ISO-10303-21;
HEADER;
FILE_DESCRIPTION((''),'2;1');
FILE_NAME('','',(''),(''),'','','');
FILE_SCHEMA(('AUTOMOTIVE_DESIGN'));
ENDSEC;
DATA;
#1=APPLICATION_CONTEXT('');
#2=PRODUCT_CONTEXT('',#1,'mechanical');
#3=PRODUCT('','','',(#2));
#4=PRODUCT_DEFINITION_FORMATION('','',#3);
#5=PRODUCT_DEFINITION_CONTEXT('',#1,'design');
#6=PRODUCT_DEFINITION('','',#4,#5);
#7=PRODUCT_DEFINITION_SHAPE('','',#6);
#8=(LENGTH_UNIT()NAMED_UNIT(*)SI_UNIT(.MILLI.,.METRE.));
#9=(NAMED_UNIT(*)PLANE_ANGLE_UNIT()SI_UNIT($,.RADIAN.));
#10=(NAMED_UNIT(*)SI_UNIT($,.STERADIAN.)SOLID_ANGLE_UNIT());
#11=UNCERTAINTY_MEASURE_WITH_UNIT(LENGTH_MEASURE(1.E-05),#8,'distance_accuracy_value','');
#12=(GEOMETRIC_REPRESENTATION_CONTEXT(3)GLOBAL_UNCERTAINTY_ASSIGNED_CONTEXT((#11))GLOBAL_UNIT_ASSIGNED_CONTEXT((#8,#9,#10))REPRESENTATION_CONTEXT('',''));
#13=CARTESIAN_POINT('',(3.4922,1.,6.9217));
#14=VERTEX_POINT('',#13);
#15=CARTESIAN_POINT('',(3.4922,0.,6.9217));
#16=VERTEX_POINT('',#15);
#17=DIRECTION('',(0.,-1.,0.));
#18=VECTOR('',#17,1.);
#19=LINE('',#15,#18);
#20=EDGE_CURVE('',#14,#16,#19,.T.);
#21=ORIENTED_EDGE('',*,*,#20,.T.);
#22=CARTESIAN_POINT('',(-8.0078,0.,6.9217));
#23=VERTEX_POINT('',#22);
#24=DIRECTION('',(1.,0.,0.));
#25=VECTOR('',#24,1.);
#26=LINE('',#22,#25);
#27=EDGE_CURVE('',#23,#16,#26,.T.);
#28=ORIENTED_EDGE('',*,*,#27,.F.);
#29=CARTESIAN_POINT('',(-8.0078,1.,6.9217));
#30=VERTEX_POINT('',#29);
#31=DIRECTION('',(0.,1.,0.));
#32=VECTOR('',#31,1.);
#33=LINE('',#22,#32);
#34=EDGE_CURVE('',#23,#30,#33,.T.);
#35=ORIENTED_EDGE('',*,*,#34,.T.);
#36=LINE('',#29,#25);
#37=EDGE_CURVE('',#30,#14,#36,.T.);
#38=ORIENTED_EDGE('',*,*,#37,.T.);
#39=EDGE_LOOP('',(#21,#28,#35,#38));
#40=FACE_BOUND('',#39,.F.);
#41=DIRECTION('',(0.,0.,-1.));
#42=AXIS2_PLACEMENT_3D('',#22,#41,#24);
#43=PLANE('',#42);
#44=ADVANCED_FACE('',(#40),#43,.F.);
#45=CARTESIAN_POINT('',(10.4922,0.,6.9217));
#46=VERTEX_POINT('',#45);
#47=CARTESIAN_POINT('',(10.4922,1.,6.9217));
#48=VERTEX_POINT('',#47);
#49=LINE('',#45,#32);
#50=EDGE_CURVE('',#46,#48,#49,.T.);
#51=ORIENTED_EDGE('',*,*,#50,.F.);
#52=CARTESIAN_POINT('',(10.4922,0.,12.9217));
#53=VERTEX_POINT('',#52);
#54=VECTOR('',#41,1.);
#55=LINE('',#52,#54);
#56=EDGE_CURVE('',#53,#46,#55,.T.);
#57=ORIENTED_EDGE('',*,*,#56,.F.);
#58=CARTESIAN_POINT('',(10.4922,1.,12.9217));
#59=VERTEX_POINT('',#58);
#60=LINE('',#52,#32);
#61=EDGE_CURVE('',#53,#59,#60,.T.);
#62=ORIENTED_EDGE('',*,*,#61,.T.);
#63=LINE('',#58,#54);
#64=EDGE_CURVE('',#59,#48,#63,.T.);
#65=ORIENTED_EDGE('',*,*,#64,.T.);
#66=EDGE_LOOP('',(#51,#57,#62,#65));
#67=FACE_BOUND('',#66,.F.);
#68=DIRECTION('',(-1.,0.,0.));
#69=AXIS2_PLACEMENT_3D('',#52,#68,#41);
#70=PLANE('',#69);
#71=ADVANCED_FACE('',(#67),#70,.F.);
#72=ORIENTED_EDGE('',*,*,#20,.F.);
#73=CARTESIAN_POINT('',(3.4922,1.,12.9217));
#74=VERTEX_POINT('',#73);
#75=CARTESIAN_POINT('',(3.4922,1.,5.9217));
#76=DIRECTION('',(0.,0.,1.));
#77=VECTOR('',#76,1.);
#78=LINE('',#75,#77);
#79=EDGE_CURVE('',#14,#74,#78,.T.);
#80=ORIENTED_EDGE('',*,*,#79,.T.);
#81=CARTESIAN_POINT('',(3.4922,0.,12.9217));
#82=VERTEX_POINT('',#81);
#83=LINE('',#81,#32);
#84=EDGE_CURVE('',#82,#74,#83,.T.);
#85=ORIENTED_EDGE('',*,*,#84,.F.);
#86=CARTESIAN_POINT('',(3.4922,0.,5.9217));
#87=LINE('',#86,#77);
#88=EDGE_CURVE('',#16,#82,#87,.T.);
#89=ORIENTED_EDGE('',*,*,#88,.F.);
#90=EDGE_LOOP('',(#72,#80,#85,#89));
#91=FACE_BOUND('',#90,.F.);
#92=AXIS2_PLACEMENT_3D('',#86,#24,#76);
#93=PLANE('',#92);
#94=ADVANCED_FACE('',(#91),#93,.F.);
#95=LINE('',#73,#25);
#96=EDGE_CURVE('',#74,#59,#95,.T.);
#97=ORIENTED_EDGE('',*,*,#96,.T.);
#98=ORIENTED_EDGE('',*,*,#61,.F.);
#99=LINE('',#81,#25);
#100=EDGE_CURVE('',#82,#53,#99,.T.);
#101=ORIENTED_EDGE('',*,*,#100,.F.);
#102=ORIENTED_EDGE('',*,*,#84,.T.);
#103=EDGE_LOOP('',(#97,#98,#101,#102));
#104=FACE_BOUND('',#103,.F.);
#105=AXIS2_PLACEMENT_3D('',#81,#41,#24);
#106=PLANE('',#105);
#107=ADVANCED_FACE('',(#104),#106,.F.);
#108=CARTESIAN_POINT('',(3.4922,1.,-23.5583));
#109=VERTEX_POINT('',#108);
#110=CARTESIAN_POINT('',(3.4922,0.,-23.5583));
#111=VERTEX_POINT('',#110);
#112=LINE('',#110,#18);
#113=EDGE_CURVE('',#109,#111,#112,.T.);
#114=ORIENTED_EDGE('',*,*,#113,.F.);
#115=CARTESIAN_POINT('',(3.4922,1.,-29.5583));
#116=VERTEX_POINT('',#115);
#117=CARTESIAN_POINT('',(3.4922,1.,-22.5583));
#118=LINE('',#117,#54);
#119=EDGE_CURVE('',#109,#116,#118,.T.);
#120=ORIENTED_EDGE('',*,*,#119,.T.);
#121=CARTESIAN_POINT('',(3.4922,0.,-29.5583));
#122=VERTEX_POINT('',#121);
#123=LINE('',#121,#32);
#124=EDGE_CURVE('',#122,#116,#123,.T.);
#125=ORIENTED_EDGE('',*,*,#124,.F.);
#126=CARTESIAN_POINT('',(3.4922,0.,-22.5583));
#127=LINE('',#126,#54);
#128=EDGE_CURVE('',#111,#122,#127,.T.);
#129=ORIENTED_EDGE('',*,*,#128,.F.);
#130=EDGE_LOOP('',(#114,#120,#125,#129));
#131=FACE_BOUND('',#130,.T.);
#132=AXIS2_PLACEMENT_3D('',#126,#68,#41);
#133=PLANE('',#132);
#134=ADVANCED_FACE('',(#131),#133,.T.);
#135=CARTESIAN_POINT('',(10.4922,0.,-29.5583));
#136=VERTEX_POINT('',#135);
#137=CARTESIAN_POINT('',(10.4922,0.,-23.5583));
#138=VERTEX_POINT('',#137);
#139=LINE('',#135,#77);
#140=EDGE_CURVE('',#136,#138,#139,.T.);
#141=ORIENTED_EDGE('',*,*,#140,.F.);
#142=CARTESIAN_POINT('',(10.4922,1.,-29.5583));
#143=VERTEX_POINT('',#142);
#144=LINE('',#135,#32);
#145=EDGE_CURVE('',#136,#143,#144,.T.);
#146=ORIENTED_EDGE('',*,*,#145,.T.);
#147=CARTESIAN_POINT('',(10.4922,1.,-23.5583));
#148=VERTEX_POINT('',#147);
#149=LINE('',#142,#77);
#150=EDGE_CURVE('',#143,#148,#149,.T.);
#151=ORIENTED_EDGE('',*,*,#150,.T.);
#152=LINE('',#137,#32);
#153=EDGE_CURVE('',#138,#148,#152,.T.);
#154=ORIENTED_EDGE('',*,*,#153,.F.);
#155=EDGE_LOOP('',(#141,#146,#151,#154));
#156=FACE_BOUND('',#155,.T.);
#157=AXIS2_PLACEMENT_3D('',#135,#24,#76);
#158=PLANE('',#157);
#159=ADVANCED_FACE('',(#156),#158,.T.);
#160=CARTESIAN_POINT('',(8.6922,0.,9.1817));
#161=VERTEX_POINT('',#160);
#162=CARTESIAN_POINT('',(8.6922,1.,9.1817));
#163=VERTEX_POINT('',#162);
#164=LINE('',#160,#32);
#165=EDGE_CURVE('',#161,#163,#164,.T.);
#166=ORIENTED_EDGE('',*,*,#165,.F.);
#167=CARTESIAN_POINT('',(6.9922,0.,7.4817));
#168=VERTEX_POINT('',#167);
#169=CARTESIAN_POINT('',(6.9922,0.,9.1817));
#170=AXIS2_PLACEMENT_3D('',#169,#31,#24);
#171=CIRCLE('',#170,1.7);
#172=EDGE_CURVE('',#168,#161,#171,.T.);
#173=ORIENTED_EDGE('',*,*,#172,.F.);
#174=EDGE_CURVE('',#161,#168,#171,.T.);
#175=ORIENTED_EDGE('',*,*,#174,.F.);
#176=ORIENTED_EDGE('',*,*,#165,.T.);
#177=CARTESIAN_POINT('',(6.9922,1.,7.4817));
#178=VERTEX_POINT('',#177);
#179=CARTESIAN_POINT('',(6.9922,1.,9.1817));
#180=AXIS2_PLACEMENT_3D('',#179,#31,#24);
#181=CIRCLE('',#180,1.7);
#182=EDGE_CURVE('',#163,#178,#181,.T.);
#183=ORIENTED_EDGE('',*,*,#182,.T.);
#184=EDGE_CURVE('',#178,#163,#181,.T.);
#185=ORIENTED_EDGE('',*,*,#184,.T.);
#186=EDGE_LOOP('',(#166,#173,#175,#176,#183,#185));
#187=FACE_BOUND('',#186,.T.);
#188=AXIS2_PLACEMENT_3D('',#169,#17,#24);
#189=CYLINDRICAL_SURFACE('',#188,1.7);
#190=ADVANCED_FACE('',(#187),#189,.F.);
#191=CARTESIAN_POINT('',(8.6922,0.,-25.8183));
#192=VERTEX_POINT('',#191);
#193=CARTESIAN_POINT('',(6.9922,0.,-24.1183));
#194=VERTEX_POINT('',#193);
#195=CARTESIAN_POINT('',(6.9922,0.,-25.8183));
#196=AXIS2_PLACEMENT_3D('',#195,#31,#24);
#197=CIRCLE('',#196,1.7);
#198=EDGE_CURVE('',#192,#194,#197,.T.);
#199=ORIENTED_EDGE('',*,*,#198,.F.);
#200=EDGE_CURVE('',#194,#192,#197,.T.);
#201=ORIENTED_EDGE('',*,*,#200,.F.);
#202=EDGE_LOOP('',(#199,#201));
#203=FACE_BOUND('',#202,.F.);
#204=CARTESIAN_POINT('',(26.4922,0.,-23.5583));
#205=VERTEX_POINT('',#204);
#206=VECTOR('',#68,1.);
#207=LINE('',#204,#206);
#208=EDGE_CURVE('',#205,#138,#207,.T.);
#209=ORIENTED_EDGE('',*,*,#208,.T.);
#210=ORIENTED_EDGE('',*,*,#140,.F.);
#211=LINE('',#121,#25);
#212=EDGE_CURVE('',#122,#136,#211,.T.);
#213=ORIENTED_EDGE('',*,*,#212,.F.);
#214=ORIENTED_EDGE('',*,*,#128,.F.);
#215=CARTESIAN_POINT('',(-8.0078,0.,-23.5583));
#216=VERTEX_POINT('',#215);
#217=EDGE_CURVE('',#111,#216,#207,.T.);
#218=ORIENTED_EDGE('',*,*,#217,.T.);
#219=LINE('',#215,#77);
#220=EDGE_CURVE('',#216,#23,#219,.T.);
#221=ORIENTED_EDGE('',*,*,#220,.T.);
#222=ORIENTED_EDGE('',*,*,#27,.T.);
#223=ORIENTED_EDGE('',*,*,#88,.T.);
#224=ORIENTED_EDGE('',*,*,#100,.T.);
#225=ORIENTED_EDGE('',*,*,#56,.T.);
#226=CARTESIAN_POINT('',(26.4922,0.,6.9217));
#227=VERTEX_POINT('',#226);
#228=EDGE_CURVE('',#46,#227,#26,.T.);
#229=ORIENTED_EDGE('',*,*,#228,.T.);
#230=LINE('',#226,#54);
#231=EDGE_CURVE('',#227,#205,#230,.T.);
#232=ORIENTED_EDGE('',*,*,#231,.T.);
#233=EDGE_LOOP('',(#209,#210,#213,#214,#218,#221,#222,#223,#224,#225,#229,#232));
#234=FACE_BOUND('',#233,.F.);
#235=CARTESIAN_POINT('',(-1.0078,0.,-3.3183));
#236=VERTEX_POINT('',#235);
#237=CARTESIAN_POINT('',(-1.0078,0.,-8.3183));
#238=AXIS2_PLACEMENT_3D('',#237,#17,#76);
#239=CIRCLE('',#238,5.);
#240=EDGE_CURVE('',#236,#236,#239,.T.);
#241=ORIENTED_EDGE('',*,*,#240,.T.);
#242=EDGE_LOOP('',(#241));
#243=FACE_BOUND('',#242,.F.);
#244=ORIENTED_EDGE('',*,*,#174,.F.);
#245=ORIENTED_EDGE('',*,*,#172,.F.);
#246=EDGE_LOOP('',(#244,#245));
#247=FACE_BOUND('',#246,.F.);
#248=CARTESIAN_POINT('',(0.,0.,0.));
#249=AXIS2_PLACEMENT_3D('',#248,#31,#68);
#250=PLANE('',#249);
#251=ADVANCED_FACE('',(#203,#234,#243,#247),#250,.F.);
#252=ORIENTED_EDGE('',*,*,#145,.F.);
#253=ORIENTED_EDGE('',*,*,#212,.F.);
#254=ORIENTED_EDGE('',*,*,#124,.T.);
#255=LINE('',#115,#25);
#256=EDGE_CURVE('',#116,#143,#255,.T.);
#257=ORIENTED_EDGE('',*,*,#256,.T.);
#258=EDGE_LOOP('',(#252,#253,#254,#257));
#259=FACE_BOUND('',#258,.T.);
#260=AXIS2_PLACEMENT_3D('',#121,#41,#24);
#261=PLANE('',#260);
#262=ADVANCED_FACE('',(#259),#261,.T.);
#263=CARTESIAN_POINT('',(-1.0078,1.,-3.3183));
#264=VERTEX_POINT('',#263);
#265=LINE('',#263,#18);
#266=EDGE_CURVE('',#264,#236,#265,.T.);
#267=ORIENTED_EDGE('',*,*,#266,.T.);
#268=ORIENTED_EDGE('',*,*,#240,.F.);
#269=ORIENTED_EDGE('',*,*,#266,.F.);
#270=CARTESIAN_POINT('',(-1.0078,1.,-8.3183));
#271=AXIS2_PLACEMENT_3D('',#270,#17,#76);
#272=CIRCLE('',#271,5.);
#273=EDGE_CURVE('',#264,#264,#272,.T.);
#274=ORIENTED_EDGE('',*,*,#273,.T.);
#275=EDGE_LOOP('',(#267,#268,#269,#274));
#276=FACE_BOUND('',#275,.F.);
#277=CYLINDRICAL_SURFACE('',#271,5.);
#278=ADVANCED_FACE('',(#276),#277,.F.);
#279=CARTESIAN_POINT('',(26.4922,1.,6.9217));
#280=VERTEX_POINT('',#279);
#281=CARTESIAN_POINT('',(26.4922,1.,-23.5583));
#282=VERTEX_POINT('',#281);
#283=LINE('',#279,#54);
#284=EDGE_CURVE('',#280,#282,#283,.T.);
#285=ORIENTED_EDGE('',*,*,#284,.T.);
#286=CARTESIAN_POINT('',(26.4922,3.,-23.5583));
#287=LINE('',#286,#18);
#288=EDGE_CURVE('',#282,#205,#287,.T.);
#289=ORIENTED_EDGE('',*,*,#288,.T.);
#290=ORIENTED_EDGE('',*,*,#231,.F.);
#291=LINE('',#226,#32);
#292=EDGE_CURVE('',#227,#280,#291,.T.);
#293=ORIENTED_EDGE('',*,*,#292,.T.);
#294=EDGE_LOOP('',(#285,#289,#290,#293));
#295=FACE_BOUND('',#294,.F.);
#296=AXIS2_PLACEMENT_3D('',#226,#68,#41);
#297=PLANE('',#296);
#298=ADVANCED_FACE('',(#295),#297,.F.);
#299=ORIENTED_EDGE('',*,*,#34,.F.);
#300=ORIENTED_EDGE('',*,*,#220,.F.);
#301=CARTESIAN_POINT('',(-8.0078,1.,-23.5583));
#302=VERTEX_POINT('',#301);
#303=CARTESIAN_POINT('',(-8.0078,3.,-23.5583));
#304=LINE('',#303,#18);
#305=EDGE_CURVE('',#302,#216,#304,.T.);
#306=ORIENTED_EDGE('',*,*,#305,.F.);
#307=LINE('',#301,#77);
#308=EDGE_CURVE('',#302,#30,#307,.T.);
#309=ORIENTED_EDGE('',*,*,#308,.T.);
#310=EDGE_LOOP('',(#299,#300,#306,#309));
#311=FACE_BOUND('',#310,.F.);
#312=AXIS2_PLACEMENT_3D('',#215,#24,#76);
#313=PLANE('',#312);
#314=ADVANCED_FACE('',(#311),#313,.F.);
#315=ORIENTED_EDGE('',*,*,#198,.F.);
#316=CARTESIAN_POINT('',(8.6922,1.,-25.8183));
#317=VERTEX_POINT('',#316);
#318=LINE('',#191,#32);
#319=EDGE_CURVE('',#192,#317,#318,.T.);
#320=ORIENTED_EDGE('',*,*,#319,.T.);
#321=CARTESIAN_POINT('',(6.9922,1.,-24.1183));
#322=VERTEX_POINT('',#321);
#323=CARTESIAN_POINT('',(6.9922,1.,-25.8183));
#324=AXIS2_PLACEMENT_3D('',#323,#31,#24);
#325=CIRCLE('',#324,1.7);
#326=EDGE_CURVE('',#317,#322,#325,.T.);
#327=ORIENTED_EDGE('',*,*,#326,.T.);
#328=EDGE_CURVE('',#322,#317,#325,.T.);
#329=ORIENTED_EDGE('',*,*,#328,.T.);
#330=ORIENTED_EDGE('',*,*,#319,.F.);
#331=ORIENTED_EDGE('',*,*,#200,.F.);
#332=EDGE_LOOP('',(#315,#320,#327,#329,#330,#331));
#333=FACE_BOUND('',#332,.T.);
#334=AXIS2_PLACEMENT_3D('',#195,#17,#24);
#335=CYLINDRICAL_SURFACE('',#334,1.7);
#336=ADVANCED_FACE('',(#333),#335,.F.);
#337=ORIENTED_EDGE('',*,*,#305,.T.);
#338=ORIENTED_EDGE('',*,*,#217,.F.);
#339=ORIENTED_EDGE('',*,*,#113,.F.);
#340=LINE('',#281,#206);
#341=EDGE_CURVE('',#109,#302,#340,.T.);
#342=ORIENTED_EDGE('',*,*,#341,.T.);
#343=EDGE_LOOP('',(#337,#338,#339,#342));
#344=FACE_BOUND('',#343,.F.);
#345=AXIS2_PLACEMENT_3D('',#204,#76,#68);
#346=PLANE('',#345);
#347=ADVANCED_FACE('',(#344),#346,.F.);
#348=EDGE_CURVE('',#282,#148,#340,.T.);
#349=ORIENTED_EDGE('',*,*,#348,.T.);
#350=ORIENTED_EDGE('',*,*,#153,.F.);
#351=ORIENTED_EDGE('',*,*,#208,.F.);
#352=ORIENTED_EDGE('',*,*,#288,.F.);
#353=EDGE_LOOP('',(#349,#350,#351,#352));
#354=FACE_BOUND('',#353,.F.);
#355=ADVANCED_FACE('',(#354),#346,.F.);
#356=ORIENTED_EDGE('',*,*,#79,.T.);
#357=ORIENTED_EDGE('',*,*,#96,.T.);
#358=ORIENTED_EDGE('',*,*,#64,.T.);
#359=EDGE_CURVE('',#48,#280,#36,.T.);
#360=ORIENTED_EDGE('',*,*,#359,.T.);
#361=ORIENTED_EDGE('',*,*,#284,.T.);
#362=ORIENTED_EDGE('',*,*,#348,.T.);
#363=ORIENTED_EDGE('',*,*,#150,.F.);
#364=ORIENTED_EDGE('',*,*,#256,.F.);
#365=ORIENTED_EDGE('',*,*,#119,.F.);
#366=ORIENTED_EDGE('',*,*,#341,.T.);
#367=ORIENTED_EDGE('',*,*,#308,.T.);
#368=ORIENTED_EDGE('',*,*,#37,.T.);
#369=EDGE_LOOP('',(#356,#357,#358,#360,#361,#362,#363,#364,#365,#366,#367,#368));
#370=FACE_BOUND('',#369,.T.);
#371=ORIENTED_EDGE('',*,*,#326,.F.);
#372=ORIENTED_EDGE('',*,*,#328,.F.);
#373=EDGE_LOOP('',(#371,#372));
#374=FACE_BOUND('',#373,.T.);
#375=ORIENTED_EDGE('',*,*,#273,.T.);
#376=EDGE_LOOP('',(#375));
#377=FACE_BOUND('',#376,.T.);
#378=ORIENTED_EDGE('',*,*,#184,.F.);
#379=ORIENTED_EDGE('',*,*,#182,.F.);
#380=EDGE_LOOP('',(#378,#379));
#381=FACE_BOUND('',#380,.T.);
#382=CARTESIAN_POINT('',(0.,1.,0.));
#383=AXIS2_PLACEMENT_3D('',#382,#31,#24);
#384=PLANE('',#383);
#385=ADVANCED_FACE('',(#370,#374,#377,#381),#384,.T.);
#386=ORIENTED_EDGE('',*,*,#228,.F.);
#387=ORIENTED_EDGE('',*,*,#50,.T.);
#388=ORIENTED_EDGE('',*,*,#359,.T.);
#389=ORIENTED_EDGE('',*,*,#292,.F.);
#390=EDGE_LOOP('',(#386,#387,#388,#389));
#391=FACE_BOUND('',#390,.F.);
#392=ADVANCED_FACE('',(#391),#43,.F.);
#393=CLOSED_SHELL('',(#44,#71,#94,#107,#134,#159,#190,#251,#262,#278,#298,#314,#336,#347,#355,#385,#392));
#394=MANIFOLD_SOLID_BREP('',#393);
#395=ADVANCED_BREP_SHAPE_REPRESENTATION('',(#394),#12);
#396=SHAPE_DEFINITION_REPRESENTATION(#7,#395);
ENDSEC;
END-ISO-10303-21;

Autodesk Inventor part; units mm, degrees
ref_plane "YZ Plane" through (0, 0, 0) normal (1, 0, 0) x (0, 1, 0)
ref_plane "XZ Plane" through (0, 0, 0) normal (0, 1, 0) x (-1, 0, 0)
ref_plane "XY Plane" through (0, 0, 0) normal (0, 0, 1) x (1, 0, 0)
sketch "Sketch1" plane through (0, 0, 0) normal (0, 1, 0) x (-1, 0, 0)
  line L0 (8.0078, 6.9217) -> (-26.4922, 6.9217)
  line L1 (-26.4922, 6.9217) -> (-26.4922, -23.5583)
  line L2 (-26.4922, -23.5583) -> (8.0078, -23.5583)
  line L3 (8.0078, -23.5583) -> (8.0078, 6.9217)
  point P0 (0, 0)
  dimension "d0" = 34.5
  dimension "d1" = 30.48
extrude "Extrusion1" add sketch "Sketch1" along normal blind 1
sketch "Sketch2" plane through (0, 1, 0) normal (0, 1, 0) x (1, 0, 0)
  line L0 (-8.0078, 23.5583) -> (-8.0078, -6.9217) projected
  line L1 (-8.0078, -6.9217) -> (-8.0078, -5.9217)
  line L2 (-8.0078, -5.9217) -> (-7.0078, -5.9217)
  line L3 (26.4922, -6.9217) -> (26.4922, 23.5583) projected
  line L4 (26.4922, 23.5583) -> (26.4922, 22.5583)
  line L5 (26.4922, 22.5583) -> (25.4922, 22.5583)
  line L6 (-7.0078, -5.9217) -> (25.4922, -5.9217)
  line L7 (25.4922, -5.9217) -> (25.4922, 22.5583)
  line L8 (25.4922, 22.5583) -> (-7.0078, 22.5583)
  line L9 (-7.0078, 22.5583) -> (-7.0078, -5.9217)
  line L10 (-8.0078, 23.5583) -> (-8.0078, -6.9217) projected
  line L11 (-8.0078, -6.9217) -> (26.4922, -6.9217) projected
  line L12 (26.4922, -6.9217) -> (26.4922, 23.5583) projected
  line L13 (26.4922, 23.5583) -> (-8.0078, 23.5583) projected
  point P0 (0, 0)
  dimension "d4" = 1
  dimension "d5" = 1
  dimension "d6" = 1
  dimension "d7" = 1
extrude "Extrusion2" add sketch "Sketch2" along normal blind 2 contours L13 L3 L5 L8 L9 L2 L0 | L2 L6 L7 L5 L3 L11 L0
sketch "Sketch3" plane through (0, 0, 0) normal (0, 1, 0) x (1, 0, 0)
  line L0 (-7.0078, -5.9217) -> (-7.0078, 22.5583) projected
  line L1 (-7.0078, 8.3183) -> (6.9922, 8.3183)
  line L2 (6.9922, 8.3183) -> (6.9922, 25.8183)
  line L3 (6.9922, 25.8183) -> (6.9922, -9.1817)
  circle A0 centre (6.9922, -9.1817) radius 1.7
  circle A1 centre (6.9922, 25.8183) radius 1.7
  line L4 (25.4922, -5.9217) -> (-7.0078, -5.9217) projected
  line L5 (6.9922, -5.9217) -> (3.4922, -5.9217)
  line L6 (3.4922, -5.9217) -> (3.4922, -12.9217)
  line L7 (3.4922, -12.9217) -> (10.4922, -12.9217)
  line L8 (10.4922, -12.9217) -> (10.4922, -5.9217)
  line L9 (-7.0078, 22.5583) -> (25.4922, 22.5583) projected
  line L10 (3.4922, 22.5583) -> (3.4922, 29.5583)
  line L11 (3.4922, 29.5583) -> (10.4922, 29.5583)
  line L12 (10.4922, 29.5583) -> (10.4922, 22.5583)
  point P0 (0, 0)
  point P1 (9.2422, 22.5583)
  dimension "d10" = 14
  dimension "d11" = 17.5
  dimension "d12" = 35
  dimension "d13" = 3.4
  dimension "d14" = 3.4
  dimension "d15" = 3.5
  dimension "d16" = 7
  dimension "d17" = 7
  dimension "d18" = 7
  dimension "d31" = 7
extrude "Extrusion3" add sketch "Sketch3" along normal blind 1 contours L4 L8 L7 L6 | L10 L11 L12 L9
sketch "Sketch4" plane through (0, 1, 0) normal (0, 1, 0) x (1, 0, 0)
  line L0 (-7.0078, -5.9217) -> (-7.0078, 22.5583) projected
  line L1 (-7.0078, 8.3183) -> (-1.0078, 8.3183)
  point P0 (0, 0)
  dimension "d21" = 6
hole "Hole1" at (-1.0078, 1, -8.3183) direction (0, -1, 0) diameter 10 end through all
sketch "Sketch5" plane through (0, 3, 0) normal (0, 1, 0) x (1, 0, 0)
  line L0 (26.4922, 23.5583) -> (-8.0078, 23.5583) projected
  line L1 (-8.0078, 23.5583) -> (-8.0078, -6.9217) projected
  line L2 (-8.0078, -6.9217) -> (26.4922, -6.9217) projected
  line L3 (26.4922, -6.9217) -> (26.4922, 23.5583) projected
  line L4 (-7.0078, 22.5583) -> (25.4922, 22.5583) projected
  line L5 (25.4922, 22.5583) -> (25.4922, -5.9217) projected
  line L6 (25.4922, -5.9217) -> (-7.0078, -5.9217) projected
  line L7 (-7.0078, -5.9217) -> (-7.0078, 22.5583) projected
  point P0 (0, 0)
extrude "Extrusion4" cut sketch "Sketch5" against normal blind 2
properties part number "lid 4.0"
